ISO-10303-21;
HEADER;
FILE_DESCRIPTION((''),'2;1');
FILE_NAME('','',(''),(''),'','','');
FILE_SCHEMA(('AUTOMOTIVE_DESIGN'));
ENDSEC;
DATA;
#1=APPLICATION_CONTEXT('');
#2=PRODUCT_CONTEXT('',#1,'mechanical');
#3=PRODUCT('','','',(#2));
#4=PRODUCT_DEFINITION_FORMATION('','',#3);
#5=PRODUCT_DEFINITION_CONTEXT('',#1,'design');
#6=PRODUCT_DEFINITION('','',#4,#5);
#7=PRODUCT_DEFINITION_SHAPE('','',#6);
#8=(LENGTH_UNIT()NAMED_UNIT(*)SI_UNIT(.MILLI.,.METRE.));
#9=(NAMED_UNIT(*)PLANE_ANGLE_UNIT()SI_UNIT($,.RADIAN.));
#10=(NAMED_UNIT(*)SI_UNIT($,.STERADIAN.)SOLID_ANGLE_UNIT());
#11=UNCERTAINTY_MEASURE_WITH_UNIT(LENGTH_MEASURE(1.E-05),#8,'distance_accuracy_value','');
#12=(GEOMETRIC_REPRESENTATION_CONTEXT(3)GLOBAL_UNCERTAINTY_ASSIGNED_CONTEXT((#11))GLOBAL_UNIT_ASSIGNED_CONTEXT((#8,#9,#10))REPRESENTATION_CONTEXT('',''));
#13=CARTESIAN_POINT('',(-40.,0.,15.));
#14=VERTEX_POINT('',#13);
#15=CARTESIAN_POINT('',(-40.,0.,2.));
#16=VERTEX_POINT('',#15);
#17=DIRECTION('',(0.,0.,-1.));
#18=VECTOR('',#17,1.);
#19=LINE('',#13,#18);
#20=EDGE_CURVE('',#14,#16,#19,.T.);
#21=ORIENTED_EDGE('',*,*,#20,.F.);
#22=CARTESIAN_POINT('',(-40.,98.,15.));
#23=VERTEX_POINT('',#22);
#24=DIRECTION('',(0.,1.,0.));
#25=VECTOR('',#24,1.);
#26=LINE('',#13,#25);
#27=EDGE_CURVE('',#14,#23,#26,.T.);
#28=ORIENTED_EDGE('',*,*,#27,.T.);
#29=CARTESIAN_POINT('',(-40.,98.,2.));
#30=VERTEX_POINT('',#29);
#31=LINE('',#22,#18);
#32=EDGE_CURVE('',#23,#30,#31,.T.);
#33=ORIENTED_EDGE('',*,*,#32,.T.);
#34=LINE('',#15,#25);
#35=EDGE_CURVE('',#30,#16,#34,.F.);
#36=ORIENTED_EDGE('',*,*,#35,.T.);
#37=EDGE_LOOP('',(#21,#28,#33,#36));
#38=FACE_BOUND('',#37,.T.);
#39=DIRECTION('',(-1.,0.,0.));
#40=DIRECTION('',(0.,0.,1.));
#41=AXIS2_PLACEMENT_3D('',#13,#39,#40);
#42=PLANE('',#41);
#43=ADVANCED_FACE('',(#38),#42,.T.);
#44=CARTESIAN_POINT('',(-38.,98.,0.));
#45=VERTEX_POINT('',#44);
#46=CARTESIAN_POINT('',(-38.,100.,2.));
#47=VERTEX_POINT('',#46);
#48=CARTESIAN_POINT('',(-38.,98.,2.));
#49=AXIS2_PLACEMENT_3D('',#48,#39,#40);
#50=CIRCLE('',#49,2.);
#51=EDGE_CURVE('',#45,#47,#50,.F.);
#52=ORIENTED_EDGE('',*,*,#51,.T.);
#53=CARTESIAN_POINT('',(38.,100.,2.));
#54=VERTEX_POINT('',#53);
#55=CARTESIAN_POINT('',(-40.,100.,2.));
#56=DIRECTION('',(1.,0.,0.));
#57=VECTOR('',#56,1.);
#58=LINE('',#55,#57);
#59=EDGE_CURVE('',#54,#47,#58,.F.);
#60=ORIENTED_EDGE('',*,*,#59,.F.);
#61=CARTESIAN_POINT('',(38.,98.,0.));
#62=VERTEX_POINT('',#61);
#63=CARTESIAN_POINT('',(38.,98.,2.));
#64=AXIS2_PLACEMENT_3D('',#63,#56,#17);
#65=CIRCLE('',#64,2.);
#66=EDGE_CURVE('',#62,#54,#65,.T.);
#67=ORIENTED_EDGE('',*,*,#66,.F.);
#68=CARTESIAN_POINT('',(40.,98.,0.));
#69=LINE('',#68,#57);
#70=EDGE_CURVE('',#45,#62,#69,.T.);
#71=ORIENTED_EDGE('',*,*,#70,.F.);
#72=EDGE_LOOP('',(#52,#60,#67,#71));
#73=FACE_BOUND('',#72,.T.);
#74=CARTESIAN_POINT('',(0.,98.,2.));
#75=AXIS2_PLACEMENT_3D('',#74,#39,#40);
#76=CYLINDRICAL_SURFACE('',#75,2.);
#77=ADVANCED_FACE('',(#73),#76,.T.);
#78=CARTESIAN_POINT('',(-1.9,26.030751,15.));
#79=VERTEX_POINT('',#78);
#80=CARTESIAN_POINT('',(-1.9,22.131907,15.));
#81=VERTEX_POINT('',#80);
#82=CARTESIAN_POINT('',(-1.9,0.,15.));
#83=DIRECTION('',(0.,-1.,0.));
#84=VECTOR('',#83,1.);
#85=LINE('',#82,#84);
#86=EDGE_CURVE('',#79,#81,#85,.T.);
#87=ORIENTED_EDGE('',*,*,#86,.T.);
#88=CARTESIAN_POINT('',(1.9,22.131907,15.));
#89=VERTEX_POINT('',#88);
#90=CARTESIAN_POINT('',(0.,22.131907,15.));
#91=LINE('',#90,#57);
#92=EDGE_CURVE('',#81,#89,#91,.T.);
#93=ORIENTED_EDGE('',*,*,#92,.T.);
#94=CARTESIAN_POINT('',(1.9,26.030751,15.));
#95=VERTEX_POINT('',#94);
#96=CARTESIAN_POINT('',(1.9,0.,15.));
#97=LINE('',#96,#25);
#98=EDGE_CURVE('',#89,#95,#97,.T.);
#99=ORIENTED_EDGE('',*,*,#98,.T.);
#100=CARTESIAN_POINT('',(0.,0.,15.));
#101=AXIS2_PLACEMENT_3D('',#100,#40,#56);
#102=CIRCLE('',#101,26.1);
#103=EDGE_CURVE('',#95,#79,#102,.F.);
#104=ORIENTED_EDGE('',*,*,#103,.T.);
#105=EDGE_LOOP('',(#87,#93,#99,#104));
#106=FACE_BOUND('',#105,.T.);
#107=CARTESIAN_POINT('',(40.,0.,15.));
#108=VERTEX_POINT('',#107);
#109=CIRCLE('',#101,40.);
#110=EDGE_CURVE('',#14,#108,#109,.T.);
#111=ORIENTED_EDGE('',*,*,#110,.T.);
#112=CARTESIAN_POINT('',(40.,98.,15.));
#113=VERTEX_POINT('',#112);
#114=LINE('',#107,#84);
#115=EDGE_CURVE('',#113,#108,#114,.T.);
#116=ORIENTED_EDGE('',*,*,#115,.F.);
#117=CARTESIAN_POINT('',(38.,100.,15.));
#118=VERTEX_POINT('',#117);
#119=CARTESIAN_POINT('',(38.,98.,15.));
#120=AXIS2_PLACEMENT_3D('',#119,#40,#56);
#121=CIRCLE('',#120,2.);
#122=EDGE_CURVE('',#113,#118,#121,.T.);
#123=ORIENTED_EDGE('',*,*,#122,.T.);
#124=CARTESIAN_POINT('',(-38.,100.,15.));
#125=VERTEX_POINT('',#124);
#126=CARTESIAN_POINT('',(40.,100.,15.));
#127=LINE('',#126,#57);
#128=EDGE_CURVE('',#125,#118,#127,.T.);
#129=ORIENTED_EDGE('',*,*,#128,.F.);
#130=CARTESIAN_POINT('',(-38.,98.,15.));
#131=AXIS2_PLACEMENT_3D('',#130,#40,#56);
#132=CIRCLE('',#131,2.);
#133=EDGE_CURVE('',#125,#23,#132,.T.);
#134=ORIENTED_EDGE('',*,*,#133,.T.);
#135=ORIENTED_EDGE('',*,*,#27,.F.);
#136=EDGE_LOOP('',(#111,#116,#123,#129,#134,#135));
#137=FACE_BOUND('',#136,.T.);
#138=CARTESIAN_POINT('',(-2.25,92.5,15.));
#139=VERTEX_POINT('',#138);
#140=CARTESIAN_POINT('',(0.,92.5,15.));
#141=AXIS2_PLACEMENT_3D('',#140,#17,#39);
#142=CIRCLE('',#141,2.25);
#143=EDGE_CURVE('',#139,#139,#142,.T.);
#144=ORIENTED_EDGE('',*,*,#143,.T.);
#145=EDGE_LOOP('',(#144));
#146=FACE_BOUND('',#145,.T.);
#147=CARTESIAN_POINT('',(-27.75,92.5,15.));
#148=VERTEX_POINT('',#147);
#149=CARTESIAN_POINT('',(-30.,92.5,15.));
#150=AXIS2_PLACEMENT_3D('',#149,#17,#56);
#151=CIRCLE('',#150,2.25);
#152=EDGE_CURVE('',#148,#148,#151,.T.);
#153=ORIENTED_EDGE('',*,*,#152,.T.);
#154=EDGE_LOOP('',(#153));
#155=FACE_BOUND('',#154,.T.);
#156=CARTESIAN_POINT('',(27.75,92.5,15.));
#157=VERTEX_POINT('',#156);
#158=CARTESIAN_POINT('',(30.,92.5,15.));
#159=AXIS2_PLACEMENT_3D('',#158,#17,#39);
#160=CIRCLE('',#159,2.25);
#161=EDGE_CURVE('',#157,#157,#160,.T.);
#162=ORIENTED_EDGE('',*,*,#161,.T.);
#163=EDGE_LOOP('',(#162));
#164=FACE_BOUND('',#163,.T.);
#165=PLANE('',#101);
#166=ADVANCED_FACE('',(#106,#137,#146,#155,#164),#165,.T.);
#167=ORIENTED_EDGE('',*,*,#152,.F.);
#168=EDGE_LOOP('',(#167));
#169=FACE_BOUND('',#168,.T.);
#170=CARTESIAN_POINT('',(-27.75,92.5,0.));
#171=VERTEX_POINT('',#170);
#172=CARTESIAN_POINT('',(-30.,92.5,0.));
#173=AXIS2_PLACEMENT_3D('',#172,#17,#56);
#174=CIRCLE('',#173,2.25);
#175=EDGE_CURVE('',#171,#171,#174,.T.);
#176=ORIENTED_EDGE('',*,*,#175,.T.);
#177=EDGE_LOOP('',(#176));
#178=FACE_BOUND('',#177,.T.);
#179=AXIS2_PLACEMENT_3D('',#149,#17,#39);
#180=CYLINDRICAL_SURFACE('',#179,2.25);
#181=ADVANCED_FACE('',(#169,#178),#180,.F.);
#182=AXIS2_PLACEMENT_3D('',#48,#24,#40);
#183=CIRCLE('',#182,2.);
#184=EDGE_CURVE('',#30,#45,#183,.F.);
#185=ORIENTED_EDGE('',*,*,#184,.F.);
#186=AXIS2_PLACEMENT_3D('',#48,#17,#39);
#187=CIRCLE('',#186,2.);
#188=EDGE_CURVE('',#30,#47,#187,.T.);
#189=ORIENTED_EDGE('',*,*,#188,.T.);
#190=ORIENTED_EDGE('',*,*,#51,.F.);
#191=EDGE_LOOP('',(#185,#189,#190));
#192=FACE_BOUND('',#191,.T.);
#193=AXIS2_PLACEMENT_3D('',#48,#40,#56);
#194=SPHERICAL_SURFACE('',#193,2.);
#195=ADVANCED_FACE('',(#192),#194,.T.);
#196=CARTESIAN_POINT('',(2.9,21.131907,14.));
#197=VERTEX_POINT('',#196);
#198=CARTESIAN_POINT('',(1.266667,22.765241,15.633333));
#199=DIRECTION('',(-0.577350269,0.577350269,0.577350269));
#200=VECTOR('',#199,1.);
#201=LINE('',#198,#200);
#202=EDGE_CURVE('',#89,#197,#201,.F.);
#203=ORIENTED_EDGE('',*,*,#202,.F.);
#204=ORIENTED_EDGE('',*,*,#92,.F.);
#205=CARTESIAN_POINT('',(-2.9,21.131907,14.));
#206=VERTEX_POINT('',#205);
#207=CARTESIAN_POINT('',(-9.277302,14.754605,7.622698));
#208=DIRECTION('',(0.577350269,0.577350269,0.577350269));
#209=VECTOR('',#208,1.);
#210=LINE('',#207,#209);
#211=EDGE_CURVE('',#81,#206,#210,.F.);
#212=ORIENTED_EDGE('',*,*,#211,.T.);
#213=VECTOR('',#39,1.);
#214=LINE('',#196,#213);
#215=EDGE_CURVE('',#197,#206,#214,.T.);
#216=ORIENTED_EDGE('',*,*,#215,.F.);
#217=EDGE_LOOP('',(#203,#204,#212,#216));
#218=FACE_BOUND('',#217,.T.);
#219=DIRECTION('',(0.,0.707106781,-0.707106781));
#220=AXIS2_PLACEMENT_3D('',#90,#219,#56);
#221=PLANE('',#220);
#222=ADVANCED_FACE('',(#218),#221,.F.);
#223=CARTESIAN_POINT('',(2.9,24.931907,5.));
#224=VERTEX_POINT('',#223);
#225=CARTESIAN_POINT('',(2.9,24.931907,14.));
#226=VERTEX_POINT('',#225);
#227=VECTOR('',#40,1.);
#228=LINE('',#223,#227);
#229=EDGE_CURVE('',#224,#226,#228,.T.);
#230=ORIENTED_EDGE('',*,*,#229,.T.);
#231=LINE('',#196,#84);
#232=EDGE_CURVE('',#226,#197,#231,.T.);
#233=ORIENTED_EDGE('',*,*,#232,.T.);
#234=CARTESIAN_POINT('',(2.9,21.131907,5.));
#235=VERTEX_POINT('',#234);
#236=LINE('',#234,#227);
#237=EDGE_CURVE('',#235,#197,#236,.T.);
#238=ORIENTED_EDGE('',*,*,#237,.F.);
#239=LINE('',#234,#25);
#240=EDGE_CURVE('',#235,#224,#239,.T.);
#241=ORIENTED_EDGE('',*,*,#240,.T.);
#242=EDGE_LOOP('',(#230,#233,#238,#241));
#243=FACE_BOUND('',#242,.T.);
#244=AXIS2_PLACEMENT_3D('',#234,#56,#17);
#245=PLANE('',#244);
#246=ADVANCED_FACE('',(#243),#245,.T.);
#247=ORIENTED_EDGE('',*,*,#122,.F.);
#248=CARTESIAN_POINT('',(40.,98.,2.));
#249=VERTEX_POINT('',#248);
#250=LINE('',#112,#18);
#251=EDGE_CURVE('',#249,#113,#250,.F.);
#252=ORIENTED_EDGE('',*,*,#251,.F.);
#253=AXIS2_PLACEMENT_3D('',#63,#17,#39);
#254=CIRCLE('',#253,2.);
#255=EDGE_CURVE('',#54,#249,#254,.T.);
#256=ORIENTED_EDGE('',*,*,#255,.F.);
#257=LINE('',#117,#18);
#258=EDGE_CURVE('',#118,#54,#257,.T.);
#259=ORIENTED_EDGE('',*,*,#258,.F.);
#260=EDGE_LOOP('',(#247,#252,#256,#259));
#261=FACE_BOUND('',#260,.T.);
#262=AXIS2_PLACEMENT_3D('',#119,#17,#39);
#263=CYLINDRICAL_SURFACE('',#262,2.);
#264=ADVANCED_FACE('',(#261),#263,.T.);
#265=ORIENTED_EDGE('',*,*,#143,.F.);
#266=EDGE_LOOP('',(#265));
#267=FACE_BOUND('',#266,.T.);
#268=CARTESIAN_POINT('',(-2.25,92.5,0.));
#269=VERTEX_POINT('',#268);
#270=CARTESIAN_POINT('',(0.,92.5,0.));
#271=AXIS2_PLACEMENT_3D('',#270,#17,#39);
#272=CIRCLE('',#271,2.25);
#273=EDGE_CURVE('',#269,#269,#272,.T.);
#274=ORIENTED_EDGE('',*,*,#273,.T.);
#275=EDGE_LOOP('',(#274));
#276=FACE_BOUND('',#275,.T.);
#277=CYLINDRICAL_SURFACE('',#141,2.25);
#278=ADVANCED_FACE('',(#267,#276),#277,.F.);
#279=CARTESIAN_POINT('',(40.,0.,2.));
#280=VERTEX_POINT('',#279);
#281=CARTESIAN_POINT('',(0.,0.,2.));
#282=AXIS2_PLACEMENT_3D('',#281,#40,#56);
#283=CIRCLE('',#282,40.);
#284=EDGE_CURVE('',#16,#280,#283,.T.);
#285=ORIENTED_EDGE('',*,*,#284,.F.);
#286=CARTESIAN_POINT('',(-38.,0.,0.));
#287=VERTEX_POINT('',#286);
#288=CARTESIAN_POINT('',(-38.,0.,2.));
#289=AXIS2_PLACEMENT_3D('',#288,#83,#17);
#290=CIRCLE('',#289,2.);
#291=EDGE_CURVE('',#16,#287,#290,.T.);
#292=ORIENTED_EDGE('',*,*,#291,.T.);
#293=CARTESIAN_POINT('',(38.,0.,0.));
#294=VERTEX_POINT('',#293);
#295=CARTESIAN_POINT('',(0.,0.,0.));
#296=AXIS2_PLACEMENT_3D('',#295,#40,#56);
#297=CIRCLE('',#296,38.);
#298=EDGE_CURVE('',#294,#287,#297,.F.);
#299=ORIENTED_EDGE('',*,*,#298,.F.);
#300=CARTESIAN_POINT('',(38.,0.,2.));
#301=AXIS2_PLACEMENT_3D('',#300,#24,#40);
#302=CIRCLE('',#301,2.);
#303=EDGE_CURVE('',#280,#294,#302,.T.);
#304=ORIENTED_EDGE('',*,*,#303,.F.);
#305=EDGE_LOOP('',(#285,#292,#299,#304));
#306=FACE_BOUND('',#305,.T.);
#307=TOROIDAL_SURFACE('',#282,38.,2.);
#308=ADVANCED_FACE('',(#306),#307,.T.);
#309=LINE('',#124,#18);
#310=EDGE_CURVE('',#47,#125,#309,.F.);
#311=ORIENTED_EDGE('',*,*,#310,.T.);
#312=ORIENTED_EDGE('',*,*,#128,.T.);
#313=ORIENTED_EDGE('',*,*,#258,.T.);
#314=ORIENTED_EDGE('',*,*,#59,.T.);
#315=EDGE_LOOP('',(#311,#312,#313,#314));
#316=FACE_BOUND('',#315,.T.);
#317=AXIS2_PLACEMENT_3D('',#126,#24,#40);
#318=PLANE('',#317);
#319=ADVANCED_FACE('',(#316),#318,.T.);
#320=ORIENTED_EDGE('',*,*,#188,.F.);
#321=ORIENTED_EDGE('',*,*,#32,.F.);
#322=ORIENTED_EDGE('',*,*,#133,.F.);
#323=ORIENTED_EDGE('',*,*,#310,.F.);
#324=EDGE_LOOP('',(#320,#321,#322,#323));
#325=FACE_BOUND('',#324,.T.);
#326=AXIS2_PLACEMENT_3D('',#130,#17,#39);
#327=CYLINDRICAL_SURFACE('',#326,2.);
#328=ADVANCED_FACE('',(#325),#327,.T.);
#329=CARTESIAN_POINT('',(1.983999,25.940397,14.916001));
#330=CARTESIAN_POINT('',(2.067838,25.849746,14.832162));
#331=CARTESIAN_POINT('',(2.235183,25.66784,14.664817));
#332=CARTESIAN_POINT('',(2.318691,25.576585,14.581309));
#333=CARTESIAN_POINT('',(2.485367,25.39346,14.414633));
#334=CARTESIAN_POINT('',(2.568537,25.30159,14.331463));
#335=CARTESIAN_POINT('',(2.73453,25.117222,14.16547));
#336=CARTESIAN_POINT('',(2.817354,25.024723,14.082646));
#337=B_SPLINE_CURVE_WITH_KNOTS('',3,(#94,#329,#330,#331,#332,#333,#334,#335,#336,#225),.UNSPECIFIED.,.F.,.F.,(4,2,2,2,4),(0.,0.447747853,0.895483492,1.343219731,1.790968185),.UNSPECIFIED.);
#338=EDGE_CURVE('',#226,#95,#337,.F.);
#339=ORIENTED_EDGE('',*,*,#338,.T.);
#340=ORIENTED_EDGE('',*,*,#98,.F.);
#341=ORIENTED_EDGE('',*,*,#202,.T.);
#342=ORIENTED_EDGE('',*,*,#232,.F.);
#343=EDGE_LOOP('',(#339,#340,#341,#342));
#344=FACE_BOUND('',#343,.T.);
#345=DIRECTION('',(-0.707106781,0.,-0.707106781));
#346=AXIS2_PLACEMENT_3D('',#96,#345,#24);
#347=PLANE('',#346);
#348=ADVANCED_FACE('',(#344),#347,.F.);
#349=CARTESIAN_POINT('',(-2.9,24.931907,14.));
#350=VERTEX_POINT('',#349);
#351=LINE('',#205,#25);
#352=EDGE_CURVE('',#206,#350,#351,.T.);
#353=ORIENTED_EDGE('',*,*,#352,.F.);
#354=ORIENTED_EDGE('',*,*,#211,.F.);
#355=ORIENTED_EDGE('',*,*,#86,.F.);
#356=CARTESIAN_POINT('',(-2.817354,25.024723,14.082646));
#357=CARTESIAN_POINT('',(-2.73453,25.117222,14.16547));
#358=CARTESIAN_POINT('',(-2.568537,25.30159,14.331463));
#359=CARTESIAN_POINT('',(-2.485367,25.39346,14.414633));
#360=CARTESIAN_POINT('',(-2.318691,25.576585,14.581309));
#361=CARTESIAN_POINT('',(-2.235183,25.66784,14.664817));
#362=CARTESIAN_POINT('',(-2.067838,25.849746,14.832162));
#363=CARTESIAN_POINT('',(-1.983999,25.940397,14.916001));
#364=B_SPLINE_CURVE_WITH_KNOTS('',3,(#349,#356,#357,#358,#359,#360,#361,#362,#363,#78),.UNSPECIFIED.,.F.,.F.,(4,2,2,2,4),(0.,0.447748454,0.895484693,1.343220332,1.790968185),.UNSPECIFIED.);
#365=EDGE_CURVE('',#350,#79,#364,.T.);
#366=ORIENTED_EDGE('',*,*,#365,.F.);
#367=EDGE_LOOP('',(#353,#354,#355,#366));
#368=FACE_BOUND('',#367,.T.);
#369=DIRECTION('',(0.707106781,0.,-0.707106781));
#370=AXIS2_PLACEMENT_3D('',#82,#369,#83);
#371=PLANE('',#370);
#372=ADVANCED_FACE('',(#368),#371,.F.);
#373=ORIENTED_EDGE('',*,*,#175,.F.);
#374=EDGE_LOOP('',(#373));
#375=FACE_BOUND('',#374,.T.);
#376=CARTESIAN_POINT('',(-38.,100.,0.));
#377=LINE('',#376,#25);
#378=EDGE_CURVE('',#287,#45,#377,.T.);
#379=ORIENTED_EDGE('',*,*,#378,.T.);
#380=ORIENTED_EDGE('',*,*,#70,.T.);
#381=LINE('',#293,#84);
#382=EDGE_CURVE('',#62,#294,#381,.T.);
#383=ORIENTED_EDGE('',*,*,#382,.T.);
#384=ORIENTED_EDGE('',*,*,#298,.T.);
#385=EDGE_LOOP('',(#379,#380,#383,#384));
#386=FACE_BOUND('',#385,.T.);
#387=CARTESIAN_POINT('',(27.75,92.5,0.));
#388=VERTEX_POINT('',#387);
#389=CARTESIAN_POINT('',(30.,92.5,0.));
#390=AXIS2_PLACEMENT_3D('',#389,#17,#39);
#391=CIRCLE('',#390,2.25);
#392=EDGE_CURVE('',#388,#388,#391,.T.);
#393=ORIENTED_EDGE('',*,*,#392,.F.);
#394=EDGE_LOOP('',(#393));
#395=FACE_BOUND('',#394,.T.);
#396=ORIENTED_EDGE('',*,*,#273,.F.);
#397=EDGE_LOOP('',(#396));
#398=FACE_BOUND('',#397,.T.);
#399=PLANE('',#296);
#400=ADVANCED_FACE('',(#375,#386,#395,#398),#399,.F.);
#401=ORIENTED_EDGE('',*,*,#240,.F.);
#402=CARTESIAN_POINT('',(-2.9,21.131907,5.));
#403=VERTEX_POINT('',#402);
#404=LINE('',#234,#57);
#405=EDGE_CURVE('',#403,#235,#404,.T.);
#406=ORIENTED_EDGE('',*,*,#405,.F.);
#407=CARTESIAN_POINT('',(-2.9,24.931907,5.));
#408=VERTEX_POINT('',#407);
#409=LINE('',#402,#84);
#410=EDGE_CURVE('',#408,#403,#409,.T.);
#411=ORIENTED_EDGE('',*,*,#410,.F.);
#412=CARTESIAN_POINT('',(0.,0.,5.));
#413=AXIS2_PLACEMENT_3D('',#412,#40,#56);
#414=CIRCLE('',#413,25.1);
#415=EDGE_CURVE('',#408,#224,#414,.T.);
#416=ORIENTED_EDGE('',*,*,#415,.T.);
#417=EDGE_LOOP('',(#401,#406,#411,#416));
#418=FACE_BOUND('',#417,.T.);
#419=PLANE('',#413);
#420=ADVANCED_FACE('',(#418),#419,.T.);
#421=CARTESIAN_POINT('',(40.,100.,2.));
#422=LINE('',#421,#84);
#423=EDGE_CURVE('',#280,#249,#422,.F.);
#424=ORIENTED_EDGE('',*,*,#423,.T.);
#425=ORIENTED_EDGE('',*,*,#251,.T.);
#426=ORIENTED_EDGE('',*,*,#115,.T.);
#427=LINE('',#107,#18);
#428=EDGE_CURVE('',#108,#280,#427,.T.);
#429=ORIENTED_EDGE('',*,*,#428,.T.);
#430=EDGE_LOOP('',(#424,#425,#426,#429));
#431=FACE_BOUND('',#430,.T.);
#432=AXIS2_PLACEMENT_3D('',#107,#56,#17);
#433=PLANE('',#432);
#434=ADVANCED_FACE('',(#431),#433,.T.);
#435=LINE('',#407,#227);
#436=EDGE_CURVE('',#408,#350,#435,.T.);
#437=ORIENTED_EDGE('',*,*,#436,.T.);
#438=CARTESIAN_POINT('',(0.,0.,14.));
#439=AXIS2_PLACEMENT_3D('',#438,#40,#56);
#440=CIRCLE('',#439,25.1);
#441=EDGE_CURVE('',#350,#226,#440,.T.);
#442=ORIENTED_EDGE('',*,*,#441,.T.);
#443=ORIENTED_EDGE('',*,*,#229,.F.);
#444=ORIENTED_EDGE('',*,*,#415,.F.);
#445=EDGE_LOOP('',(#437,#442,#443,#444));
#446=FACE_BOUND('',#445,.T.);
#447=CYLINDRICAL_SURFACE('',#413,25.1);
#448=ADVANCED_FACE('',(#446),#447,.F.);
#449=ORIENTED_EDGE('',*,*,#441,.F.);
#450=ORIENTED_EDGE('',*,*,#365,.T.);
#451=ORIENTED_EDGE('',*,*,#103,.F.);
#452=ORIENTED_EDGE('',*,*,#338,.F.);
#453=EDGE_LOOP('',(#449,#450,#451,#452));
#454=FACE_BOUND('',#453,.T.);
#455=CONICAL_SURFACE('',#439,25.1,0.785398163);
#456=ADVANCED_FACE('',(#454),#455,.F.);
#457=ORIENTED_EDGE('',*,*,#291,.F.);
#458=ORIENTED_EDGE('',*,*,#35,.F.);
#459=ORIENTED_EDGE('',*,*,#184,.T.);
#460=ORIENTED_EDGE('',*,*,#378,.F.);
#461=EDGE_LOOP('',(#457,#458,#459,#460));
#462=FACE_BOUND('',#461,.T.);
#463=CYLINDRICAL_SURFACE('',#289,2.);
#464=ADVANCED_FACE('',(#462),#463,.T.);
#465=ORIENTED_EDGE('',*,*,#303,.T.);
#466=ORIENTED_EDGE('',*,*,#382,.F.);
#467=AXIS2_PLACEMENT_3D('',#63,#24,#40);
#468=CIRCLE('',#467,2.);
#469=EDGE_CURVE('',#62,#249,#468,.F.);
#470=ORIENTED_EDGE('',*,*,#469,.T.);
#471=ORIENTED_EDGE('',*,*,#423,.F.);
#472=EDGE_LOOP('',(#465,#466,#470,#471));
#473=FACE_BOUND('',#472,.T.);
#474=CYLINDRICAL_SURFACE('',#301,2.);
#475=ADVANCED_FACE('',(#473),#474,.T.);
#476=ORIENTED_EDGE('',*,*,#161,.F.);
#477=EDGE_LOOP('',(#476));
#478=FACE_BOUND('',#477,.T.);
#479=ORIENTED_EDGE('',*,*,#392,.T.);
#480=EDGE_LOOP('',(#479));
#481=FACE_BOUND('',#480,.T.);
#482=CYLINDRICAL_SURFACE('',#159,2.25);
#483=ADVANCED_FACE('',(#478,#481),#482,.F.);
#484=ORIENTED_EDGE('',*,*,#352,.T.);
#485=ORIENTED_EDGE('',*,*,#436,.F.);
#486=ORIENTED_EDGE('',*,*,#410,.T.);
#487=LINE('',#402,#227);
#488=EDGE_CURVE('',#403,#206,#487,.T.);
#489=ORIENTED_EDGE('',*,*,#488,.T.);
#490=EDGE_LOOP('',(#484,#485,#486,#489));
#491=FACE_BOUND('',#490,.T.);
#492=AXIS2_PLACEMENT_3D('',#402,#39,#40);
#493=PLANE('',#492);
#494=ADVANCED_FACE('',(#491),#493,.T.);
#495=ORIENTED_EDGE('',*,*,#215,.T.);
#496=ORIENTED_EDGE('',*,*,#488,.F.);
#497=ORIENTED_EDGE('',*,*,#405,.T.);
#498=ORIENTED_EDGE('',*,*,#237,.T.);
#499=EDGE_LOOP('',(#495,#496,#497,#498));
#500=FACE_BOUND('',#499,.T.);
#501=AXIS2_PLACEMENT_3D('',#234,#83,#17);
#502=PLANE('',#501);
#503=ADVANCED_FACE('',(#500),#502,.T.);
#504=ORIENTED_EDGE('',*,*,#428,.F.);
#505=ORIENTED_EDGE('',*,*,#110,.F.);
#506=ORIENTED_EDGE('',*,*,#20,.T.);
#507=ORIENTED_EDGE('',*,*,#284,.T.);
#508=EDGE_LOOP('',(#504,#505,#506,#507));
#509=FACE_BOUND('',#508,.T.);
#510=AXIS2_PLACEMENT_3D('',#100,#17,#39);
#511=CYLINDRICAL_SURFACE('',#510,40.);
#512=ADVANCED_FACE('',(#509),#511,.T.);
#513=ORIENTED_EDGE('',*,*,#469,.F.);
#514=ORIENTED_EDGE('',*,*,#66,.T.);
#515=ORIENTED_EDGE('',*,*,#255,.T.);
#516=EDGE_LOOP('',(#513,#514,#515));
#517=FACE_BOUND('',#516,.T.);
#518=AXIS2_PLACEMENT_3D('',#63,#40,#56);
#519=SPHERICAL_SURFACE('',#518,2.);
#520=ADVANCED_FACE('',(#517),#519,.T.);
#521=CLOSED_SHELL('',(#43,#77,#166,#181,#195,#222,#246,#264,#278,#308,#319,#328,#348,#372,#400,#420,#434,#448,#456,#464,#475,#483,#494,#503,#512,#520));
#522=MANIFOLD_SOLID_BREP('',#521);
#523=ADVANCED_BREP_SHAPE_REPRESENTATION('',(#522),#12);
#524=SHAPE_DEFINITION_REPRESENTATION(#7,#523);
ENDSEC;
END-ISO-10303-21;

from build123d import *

# Parameters (mm, degrees)
SKETCH1_R           = 40
BOSS_EXTRUDE1_DEPTH = 15
SKETCH2_R           = 25.1
CUT_EXTRUDE1_DEPTH  = 10
BOSS_EXTRUDE2_DEPTH = 10
CHAMFER1_SIZE       = 1
BOSS_EXTRUDE3_DEPTH = 15
SKETCH5_R           = 2.25
CUT_EXTRUDE2_DEPTH  = 109.742815855
FILLET1_R           = 2


with BuildPart() as part:
    # Sketch1 → Boss-Extrude1 (new body)
    with BuildSketch(Plane.XY):
        Circle(SKETCH1_R)
    extrude(amount=BOSS_EXTRUDE1_DEPTH)

    # Sketch2 → Cut-Extrude1 (cut)
    with BuildSketch(Plane.XY.offset(15)):
        Circle(SKETCH2_R)
    extrude(amount=-CUT_EXTRUDE1_DEPTH, mode=Mode.SUBTRACT)

    # Sketch3 → Boss-Extrude2 (add)
    with BuildSketch(Plane.XY.offset(15)):
        with BuildLine():
            Line((2.9, 21.131907268), (-2.9, 21.131907268))
            Line((-2.9, 21.131907268), (-2.9, 24.931907268))
            ThreePointArc((-2.9, 24.931907268), (0, 25.1), (2.9, 24.931907268))
            Line((2.9, 24.931907268), (2.9, 21.131907268))
        make_face()
    extrude(amount=-BOSS_EXTRUDE2_DEPTH)

    # Chamfer1
    chamfer1_edges = [part.edges().sort_by_distance(p)[0] for p in [
        (0, -25.1, 15),
        (-2.9, 23.031907268, 15),
        (0, 21.131907268, 15),
        (2.9, 23.031907268, 15),
    ]]
    chamfer(chamfer1_edges, length=CHAMFER1_SIZE)

    # Sketch4 → Boss-Extrude3 (add, through all)
    with BuildSketch(Plane(origin=(0, 0, 0), x_dir=(-1, 0, 0), z_dir=(0, 0, -1))):
        with BuildLine():
            Line((-40, 0), (-40, 100))
            Line((-40, 100), (40, 100))
            Line((40, 100), (40, 0))
            ThreePointArc((40, 0), (0, 40), (-40, 0))
        make_face()
    extrude(amount=-BOSS_EXTRUDE3_DEPTH)

    # Sketch5 → Cut-Extrude2 (cut, through all)
    with BuildSketch(Plane(origin=(0, 0, 0), x_dir=(-1, 0, 0), z_dir=(0, 0, -1))):
        with Locations((0, 92.5)):
            Circle(SKETCH5_R)
        with Locations((-30, 92.5)):
            Circle(SKETCH5_R)
        with Locations(Location((30, 92.5, 0), (0, 0, 180))):
            Circle(SKETCH5_R)
    extrude(amount=-CUT_EXTRUDE2_DEPTH, mode=Mode.SUBTRACT)

    # Fillet1
    fillet1_edges = [part.edges().sort_by_distance(p)[0] for p in [
        (0, -40, 0),
        (40, 100, 7.5),
        (-40, 100, 7.5),
        (-40, 50, 0),
        (0, 100, 0),
        (40, 50, 0),
    ]]
    fillet(fillet1_edges, radius=FILLET1_R)


solid = part.part
